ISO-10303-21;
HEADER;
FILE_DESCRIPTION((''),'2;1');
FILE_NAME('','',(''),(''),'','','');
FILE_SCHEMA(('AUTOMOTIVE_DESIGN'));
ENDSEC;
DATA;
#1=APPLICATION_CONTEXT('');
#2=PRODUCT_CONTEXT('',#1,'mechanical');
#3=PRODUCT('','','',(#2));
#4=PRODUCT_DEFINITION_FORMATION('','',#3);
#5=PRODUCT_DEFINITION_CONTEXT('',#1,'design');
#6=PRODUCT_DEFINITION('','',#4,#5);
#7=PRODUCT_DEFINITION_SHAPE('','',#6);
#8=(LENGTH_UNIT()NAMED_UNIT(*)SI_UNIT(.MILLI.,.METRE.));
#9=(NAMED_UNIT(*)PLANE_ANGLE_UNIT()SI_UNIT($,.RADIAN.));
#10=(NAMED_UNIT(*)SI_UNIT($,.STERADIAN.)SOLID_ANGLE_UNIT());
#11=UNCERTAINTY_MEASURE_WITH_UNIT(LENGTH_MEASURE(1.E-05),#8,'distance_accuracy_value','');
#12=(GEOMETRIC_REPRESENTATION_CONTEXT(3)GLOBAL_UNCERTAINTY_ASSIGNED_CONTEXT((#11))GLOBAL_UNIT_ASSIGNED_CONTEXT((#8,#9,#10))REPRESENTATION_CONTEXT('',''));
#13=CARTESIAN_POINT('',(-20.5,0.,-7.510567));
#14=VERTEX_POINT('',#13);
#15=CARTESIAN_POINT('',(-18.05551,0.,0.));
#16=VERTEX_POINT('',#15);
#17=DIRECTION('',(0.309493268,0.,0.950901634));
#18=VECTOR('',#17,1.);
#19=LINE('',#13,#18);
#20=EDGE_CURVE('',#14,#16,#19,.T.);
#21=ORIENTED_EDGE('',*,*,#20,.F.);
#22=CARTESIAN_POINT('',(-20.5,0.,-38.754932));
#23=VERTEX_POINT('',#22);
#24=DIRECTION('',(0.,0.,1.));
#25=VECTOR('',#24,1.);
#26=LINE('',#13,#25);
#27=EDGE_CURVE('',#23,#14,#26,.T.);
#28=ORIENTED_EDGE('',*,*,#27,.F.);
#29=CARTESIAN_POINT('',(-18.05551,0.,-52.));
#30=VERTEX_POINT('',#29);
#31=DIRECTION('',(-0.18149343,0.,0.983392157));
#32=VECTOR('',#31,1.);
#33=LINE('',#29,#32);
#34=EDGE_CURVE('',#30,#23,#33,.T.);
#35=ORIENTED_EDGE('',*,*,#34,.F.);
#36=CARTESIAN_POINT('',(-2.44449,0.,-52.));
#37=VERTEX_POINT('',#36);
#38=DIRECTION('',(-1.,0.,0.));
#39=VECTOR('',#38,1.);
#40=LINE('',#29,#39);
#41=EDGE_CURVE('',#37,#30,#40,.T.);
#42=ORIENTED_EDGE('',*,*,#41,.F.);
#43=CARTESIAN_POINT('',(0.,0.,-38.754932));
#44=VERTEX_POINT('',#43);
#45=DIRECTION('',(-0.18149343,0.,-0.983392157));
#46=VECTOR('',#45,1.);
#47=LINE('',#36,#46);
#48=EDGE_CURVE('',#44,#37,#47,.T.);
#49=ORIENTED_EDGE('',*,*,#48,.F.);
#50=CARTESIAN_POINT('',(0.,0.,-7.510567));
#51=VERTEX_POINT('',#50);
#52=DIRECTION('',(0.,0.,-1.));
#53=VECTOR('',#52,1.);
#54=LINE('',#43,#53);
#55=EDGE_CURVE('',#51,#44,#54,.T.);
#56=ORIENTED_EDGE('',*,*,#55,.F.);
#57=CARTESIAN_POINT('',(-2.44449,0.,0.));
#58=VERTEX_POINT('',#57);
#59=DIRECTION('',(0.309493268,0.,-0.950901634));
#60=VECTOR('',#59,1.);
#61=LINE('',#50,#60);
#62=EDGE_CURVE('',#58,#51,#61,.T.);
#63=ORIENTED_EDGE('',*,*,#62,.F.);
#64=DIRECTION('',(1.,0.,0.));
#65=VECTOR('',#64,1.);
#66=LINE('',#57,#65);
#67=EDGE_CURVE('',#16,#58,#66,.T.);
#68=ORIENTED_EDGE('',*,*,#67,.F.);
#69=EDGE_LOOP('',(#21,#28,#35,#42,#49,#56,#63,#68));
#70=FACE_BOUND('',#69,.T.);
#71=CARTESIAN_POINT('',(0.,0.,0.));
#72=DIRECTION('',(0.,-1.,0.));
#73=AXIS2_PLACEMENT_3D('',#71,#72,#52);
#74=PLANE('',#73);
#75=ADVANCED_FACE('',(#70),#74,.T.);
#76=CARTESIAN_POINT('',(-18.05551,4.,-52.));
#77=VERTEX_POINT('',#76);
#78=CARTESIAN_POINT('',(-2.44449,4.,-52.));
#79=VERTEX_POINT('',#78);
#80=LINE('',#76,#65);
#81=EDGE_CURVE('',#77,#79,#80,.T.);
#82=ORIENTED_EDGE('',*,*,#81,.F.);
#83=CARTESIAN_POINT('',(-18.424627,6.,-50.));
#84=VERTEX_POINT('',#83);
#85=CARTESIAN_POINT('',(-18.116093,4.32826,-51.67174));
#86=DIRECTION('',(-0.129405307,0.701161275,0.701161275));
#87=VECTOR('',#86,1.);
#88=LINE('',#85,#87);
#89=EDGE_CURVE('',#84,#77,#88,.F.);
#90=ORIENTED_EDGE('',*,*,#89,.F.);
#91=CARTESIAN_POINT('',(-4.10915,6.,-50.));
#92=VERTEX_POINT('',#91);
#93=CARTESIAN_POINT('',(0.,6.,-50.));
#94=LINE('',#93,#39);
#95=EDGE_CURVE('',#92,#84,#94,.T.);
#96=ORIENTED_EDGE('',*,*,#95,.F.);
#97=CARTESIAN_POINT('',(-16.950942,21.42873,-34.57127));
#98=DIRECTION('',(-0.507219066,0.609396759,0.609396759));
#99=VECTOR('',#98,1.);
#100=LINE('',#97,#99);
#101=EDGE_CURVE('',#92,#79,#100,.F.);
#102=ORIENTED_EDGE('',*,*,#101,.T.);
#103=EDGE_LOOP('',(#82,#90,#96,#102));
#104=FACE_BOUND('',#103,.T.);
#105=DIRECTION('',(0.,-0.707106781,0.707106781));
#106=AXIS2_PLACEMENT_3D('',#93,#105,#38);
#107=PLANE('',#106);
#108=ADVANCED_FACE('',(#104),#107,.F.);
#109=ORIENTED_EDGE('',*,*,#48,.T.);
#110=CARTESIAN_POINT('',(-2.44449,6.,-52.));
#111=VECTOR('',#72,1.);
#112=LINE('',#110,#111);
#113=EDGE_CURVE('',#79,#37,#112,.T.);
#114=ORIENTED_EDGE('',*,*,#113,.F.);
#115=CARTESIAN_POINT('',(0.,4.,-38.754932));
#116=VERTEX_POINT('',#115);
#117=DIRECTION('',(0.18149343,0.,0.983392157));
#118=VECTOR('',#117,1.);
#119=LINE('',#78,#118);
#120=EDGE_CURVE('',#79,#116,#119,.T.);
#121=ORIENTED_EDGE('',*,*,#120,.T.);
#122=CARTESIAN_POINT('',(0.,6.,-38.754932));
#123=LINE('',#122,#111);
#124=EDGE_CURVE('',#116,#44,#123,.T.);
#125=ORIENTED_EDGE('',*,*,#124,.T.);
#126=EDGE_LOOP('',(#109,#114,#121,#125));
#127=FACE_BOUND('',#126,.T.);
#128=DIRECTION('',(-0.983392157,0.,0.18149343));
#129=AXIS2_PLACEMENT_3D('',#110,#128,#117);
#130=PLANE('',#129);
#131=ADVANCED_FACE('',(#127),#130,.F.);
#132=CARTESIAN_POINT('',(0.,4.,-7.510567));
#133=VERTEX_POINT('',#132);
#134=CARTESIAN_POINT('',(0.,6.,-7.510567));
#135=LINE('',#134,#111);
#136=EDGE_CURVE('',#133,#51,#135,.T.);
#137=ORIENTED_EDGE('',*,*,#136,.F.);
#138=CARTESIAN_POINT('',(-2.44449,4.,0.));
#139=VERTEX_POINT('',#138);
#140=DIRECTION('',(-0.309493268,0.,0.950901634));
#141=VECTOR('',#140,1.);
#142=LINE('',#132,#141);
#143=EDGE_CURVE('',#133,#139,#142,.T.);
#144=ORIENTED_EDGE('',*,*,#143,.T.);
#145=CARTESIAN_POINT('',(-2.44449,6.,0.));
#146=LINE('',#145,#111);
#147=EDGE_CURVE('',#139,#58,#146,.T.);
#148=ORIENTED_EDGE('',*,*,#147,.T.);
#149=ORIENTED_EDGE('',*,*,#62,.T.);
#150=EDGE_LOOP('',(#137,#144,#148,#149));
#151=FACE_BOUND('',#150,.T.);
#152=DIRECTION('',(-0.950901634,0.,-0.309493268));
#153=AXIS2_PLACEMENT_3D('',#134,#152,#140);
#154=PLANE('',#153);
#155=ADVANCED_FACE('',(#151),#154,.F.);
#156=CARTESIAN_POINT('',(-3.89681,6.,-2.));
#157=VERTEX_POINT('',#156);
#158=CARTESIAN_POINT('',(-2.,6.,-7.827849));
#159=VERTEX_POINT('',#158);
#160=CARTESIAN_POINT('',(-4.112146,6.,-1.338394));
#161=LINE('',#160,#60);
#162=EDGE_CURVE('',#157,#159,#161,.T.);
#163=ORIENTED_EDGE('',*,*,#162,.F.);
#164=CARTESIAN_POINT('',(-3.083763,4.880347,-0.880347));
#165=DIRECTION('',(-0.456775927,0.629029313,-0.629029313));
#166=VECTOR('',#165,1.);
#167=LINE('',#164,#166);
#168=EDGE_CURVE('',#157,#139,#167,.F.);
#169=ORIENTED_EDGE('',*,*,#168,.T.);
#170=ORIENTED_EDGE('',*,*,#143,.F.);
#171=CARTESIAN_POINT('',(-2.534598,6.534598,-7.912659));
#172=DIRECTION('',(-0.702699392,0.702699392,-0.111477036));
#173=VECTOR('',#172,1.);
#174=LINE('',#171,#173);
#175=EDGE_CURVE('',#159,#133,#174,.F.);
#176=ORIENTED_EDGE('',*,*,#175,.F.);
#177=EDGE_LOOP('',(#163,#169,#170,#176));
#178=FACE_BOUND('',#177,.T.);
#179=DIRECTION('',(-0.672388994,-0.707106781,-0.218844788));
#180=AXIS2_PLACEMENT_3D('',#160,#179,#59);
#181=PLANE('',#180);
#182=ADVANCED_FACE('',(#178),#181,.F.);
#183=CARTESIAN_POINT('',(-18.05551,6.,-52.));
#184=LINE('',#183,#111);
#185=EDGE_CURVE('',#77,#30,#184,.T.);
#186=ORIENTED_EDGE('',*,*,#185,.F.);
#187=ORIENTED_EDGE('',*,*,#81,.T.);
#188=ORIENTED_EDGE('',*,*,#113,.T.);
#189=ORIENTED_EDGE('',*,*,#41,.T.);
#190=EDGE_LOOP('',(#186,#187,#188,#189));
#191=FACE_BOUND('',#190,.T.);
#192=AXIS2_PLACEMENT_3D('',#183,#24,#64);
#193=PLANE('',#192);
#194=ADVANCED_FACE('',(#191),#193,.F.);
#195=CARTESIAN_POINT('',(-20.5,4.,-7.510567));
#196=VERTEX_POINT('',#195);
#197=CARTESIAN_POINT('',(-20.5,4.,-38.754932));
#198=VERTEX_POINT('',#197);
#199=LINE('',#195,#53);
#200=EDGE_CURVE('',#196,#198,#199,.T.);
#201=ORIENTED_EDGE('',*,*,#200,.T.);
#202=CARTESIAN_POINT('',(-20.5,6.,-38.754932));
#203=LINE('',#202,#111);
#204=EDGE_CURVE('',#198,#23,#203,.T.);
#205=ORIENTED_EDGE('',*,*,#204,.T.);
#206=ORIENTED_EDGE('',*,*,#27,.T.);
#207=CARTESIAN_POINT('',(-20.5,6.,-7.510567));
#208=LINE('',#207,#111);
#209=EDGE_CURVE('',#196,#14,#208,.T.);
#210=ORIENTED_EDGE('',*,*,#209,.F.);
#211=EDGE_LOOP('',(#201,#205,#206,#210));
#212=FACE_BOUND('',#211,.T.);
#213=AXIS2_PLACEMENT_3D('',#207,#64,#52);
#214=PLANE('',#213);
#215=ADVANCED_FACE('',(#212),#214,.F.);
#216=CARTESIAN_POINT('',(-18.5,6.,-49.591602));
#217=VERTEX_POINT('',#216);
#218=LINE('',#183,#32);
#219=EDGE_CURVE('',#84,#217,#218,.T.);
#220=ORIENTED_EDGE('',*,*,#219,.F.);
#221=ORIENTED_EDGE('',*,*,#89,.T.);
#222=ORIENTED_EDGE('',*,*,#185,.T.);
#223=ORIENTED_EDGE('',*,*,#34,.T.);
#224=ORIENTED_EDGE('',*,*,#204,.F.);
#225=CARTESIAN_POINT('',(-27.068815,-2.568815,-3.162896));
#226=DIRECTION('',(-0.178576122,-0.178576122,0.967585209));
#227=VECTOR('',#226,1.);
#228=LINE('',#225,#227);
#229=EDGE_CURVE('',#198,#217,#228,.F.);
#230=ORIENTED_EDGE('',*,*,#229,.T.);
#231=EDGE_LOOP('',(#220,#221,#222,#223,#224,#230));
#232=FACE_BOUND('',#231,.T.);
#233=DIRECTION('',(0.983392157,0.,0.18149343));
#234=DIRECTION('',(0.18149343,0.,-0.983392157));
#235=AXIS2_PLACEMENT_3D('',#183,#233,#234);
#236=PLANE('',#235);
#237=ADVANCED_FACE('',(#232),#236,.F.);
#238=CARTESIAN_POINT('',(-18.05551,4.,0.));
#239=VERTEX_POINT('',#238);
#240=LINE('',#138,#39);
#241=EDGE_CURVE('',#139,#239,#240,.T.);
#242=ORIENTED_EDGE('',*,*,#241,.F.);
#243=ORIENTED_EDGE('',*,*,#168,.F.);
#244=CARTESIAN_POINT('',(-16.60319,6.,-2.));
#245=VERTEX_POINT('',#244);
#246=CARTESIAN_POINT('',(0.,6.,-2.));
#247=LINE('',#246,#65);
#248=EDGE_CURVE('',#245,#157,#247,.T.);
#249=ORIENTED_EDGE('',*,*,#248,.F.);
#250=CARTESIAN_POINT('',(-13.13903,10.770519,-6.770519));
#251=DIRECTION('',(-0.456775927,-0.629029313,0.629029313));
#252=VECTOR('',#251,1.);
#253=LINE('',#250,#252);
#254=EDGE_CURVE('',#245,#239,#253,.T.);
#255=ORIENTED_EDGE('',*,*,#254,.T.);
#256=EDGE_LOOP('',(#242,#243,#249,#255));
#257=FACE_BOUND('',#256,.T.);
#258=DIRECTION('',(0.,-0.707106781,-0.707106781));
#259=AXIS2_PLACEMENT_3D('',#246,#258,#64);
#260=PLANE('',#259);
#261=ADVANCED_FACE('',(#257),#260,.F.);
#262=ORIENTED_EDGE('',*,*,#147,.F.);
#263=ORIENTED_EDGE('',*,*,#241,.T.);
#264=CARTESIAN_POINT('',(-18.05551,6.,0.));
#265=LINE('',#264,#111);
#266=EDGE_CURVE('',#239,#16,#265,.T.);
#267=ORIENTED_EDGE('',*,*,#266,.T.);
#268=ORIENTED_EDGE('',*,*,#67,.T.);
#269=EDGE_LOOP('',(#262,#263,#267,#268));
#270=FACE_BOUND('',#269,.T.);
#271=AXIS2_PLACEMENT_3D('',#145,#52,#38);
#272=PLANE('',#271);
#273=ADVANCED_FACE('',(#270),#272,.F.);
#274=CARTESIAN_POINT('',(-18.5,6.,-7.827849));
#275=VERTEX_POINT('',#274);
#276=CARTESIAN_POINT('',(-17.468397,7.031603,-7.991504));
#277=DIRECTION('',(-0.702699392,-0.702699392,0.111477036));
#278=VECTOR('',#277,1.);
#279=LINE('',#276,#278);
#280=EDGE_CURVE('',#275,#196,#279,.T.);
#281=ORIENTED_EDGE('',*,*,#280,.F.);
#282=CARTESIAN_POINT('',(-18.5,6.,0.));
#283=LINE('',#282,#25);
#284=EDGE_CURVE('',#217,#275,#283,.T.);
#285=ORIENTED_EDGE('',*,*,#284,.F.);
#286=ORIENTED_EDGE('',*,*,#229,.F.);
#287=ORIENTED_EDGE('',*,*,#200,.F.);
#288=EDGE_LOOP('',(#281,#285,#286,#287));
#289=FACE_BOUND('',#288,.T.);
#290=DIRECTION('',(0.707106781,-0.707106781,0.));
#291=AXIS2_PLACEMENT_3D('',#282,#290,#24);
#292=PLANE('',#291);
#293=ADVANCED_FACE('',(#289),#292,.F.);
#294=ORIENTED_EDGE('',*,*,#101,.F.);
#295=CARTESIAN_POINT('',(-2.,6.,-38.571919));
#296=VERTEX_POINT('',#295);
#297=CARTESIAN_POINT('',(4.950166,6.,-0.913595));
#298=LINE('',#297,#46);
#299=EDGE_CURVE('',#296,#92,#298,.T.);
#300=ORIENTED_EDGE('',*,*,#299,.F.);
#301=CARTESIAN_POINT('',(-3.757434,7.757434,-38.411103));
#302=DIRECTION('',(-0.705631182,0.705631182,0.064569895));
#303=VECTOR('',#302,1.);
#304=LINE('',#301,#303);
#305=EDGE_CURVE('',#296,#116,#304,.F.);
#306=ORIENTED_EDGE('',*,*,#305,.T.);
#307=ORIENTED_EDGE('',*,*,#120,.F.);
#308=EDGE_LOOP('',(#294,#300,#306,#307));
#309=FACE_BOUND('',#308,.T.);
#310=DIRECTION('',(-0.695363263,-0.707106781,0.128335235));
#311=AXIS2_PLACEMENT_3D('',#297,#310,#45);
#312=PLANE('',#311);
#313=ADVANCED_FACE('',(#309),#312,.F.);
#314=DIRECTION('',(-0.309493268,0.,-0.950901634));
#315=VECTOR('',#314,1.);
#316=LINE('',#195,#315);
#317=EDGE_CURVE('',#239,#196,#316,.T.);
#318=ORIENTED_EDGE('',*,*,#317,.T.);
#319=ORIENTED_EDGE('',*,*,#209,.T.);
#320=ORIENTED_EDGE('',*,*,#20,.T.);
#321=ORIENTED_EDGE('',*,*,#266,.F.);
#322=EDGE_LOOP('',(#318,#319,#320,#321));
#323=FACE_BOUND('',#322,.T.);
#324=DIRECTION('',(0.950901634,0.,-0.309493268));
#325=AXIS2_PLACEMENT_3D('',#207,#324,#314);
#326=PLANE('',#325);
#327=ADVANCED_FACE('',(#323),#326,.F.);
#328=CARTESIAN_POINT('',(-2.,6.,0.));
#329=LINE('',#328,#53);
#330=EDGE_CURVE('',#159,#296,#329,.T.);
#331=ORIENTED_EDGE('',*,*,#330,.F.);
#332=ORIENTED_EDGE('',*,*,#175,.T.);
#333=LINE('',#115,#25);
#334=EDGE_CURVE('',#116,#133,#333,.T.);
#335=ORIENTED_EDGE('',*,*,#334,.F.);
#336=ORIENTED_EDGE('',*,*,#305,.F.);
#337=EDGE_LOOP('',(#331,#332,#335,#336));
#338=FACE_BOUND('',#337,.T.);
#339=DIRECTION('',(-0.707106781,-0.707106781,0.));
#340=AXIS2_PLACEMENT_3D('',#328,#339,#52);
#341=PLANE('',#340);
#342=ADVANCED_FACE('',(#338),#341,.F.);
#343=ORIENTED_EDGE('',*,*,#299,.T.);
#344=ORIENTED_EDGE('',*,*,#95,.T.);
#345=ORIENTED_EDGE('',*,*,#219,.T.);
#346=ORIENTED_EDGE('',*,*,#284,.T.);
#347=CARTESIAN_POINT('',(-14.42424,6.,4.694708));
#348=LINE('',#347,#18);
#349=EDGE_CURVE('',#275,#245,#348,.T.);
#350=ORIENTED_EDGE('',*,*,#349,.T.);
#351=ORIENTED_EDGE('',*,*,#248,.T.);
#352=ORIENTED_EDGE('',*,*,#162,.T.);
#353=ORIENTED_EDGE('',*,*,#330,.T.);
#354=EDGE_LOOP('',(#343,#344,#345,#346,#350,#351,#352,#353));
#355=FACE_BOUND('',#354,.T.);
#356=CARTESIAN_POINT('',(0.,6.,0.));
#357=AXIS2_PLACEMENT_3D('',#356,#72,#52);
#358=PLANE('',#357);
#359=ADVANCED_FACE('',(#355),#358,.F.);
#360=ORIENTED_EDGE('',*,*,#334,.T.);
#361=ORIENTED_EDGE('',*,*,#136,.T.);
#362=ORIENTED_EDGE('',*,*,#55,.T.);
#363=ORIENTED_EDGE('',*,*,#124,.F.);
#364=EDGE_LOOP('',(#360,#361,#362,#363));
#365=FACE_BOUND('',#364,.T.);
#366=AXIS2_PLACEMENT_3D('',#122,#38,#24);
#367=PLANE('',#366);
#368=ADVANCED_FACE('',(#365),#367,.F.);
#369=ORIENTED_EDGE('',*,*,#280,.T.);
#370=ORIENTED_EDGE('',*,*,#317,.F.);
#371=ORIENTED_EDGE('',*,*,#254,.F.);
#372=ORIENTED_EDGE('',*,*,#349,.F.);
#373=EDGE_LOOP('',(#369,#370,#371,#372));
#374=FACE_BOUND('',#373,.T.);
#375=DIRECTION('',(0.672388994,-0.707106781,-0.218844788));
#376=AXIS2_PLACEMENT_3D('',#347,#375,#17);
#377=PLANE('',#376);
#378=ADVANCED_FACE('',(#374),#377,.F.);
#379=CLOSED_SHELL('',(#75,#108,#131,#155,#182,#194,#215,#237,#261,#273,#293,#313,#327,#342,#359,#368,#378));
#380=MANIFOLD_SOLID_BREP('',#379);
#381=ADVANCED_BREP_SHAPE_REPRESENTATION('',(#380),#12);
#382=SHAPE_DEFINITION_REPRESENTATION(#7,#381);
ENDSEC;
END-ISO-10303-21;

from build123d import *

# Parameters (mm, degrees)
EXTRUDE_1_DEPTH = 6
CHAMFER_1_SIZE  = 2


with BuildPart() as part:
    # Эскиз1 → Бобышка-Вытянуть1 (new body)
    with BuildSketch(Plane(origin=(0, 0, 0), x_dir=(1, 0, 0), z_dir=(0, 1, 0))):
        Polygon((-2.444490443, 0), (-18.055509557, 0), (-20.5, 7.510567106), (-20.5, 38.754932475), (-18.055509557, 52), (-2.444490443, 52), (0, 38.754932475), (0, 7.510567106), align=None)
    extrude(amount=EXTRUDE_1_DEPTH)

    # Фаска1
    chamfer_1_edges = [part.edges().sort_by_distance(p)[0] for p in [
        (-19.277754779, 6, -3.755283553),
        (-10.25, 6, 0),
        (-1.222245221, 6, -3.755283553),
        (0, 6, -23.13274979),
        (-1.222245221, 6, -45.377466237),
        (-10.25, 6, -52),
        (-20.5, 6, -23.13274979),
    ]]
    chamfer(chamfer_1_edges, length=CHAMFER_1_SIZE)


solid = part.part
